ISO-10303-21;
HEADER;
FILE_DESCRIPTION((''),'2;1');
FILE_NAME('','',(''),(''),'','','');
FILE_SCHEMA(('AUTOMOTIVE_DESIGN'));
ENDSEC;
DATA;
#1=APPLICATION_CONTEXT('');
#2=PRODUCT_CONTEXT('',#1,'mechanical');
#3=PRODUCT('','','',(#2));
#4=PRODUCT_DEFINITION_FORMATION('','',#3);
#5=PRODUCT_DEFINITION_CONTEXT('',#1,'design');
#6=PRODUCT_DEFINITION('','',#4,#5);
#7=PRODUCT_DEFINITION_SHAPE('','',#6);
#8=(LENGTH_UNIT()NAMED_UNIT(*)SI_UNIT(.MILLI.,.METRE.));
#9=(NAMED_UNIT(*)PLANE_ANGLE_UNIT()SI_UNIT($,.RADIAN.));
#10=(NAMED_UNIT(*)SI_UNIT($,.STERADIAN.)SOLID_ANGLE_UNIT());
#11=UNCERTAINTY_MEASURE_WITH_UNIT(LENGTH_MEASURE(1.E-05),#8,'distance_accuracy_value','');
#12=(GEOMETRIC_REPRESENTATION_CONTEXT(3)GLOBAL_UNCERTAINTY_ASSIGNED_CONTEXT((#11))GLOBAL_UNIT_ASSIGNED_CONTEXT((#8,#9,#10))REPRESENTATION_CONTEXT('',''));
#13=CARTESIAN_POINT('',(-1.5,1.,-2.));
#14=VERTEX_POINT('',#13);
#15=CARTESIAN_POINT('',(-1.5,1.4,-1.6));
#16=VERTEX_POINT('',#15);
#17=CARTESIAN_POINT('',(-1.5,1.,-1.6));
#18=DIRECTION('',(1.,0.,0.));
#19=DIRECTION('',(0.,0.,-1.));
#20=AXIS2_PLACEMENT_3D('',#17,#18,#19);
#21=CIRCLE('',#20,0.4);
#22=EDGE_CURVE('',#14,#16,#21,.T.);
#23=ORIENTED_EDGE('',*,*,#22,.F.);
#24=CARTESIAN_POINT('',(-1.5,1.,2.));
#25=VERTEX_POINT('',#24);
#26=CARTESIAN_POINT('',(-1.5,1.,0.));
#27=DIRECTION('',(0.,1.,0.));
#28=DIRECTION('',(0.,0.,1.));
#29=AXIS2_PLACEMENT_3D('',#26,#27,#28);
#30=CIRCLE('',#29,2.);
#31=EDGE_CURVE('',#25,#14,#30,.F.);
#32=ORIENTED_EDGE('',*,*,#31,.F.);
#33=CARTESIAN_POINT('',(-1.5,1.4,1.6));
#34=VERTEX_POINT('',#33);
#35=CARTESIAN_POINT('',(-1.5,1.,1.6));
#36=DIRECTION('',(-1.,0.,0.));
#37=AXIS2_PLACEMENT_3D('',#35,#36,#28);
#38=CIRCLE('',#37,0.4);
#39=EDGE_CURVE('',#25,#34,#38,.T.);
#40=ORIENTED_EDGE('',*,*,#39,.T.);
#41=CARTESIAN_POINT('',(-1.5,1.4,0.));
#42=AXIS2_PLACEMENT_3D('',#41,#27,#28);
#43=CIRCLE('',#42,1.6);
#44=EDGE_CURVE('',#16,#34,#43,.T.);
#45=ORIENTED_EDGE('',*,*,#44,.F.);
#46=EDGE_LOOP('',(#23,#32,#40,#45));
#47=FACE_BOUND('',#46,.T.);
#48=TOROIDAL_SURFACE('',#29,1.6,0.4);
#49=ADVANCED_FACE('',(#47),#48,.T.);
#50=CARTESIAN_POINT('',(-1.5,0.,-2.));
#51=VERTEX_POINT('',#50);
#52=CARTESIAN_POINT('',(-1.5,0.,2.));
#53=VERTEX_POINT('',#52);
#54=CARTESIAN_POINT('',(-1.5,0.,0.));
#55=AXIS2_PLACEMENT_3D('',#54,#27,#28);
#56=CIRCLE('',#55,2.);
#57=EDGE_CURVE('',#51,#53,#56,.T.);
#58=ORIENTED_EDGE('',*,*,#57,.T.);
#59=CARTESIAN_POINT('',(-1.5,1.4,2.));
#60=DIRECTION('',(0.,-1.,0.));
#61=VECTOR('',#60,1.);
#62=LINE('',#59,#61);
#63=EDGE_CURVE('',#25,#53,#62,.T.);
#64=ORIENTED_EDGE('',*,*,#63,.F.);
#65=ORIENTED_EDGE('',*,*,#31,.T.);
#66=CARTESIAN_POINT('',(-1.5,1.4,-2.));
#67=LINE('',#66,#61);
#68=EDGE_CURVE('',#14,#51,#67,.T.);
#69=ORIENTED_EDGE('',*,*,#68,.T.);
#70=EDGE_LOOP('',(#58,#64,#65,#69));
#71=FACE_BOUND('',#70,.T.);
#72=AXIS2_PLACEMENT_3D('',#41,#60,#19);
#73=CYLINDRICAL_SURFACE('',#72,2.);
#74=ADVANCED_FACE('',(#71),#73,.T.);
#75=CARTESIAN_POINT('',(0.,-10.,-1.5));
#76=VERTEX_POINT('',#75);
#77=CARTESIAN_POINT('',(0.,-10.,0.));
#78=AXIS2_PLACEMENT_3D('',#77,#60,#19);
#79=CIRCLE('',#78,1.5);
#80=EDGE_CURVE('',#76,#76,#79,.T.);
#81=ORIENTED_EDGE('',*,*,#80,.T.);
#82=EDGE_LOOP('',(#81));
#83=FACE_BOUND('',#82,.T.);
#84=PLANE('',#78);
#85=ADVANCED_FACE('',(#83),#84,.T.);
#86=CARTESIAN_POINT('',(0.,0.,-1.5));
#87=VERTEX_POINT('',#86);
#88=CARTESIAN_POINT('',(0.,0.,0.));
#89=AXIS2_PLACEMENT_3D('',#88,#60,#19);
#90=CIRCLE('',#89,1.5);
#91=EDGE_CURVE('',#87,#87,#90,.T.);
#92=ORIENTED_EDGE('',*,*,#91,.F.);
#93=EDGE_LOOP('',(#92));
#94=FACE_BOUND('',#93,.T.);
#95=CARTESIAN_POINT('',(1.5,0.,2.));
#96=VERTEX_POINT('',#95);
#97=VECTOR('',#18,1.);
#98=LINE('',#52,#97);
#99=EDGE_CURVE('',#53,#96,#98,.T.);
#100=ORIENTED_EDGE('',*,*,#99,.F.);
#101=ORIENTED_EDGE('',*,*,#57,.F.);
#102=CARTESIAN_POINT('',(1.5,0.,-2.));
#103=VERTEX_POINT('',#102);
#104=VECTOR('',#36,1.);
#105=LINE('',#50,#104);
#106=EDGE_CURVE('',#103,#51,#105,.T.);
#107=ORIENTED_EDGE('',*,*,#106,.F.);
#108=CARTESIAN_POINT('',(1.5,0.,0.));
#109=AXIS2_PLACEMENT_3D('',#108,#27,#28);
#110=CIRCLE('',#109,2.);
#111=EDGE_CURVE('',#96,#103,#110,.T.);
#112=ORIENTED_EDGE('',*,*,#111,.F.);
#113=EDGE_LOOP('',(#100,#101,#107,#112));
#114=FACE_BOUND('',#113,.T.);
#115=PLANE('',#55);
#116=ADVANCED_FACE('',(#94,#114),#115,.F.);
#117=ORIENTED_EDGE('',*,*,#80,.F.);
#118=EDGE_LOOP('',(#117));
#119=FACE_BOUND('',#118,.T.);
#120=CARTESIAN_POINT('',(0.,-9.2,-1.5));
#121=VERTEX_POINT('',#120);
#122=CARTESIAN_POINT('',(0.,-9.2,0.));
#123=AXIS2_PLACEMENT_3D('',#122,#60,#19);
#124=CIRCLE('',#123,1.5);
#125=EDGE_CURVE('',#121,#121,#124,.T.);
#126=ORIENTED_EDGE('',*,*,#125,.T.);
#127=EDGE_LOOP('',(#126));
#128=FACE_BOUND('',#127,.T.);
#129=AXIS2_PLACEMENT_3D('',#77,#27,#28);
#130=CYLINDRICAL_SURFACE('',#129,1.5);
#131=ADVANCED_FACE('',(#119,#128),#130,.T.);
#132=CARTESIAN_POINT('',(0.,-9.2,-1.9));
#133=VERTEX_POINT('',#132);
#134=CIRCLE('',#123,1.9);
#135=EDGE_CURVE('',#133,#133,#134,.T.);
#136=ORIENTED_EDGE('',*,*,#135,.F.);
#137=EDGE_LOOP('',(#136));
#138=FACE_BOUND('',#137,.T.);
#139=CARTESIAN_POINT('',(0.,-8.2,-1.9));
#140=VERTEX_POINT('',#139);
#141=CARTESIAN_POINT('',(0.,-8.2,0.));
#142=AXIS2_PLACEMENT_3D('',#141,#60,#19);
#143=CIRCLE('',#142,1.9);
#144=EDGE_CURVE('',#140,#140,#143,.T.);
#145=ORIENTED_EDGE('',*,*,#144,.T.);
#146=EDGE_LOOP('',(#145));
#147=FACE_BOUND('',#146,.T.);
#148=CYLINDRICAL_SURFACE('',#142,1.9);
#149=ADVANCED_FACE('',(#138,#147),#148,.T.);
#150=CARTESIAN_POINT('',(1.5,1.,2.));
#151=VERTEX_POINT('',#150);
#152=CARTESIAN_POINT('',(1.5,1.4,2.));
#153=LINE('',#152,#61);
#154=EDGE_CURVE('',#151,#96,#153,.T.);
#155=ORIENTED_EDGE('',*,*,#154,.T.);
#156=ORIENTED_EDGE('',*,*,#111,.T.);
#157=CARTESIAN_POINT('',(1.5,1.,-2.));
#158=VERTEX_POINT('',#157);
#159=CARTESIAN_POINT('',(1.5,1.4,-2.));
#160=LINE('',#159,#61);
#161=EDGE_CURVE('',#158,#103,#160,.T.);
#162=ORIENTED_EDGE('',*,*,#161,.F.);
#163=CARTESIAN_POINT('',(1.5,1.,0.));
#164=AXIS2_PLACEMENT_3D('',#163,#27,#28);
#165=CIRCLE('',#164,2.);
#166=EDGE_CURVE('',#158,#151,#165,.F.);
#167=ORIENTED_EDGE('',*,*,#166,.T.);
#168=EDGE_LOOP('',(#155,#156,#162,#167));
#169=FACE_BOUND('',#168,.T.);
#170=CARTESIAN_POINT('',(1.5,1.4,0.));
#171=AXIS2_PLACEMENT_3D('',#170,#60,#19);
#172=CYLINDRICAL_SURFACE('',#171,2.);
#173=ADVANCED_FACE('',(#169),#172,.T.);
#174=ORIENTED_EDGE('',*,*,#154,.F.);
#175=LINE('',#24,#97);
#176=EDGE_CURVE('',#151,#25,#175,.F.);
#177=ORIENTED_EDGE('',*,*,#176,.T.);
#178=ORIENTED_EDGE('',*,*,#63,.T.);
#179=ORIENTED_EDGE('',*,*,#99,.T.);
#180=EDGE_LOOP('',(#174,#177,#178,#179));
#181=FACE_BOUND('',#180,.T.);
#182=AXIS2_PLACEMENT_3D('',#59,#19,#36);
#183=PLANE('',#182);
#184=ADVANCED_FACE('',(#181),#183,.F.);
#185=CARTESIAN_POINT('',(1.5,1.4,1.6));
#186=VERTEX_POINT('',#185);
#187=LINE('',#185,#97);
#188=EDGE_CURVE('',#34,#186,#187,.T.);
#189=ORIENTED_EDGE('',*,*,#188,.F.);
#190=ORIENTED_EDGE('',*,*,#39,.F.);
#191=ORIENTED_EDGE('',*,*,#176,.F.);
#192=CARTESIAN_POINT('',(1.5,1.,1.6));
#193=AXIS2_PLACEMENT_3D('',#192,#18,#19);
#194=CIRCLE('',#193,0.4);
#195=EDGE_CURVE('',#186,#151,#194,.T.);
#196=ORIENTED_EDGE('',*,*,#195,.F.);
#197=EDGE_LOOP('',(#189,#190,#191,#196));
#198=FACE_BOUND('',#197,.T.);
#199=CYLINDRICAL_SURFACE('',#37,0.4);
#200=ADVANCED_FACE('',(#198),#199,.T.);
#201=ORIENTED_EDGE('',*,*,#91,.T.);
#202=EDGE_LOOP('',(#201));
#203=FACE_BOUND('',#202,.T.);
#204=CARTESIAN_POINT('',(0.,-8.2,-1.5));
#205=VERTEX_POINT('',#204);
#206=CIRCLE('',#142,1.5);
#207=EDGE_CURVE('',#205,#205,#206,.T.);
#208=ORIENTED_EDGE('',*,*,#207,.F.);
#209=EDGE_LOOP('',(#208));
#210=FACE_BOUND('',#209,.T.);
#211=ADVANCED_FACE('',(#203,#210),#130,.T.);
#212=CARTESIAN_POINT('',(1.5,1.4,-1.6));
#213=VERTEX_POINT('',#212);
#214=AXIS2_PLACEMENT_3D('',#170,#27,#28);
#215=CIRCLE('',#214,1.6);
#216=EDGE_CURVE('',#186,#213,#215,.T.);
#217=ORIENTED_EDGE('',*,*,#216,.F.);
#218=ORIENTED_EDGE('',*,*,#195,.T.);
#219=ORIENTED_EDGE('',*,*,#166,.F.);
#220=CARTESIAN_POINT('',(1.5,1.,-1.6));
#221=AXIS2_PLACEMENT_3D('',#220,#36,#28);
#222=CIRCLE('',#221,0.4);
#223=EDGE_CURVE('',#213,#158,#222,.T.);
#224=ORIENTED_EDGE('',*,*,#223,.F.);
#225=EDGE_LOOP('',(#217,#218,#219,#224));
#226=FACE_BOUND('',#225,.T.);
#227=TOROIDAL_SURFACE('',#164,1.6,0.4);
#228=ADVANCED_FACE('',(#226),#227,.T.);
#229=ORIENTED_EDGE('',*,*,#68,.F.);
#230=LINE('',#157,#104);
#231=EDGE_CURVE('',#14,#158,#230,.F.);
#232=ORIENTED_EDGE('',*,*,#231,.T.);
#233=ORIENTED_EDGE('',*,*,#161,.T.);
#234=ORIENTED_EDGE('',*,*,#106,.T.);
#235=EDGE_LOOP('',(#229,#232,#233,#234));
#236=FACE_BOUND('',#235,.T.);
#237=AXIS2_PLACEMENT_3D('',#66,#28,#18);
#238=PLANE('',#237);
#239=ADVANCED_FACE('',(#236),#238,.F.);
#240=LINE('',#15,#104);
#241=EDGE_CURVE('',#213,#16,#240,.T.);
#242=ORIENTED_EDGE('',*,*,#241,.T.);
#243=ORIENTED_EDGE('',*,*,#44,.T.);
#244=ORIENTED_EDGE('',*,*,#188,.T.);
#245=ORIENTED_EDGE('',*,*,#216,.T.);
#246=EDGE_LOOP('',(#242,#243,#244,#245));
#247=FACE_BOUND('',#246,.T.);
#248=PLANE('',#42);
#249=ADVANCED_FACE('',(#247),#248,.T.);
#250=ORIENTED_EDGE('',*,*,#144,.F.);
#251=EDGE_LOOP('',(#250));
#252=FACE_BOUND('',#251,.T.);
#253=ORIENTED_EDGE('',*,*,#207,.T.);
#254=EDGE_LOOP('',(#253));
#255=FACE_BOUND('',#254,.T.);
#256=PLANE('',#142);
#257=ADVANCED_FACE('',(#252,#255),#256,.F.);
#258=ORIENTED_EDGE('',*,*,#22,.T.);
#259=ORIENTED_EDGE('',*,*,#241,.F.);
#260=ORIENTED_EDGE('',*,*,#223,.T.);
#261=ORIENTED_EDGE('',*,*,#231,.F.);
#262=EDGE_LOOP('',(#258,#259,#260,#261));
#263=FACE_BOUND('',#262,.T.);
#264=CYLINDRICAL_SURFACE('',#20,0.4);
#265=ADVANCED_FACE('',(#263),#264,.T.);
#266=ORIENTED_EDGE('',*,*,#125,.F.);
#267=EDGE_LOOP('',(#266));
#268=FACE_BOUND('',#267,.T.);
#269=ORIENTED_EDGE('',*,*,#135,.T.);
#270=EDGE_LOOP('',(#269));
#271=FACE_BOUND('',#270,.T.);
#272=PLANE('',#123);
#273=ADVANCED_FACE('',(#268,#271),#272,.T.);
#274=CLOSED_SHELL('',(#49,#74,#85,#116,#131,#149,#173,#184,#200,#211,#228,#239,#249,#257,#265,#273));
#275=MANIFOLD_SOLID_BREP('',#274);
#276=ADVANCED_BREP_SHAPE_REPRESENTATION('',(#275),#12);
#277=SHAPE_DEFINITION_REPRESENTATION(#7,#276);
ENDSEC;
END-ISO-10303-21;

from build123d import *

# Parameters (mm, degrees)
BOSS_EXTRUDE1_DEPTH = 1.4
SKETCH2_R           = 1.5
BOSS_EXTRUDE2_DEPTH = 10
SKETCH3_R           = 1.9
BOSS_EXTRUDE3_DEPTH = 1
FILLET1_R           = 0.4


with BuildPart() as part:
    # Sketch1 → Boss-Extrude1 (new body)
    with BuildSketch(Plane(origin=(0, 0, 0), x_dir=(1, 0, 0), z_dir=(0, 1, 0))):
        with BuildLine():
            Line((-1.5, 2), (1.5, 2))
            ThreePointArc((1.5, 2), (3.5, 0), (1.5, -2))
            Line((1.5, -2), (-1.5, -2))
            ThreePointArc((-1.5, -2), (-3.5, 0), (-1.5, 2))
        make_face()
    extrude(amount=BOSS_EXTRUDE1_DEPTH)

    # Sketch2 → Boss-Extrude2 (add)
    with BuildSketch(Plane(origin=(0, 0, 0), x_dir=(-1, 0, 0), z_dir=(0, -1, 0))):
        with Locations(Location((0, 0, 0), (0, 0, 90))):
            Circle(SKETCH2_R)
    extrude(amount=BOSS_EXTRUDE2_DEPTH)

    # Sketch3 → Boss-Extrude3 (add)
    with BuildSketch(Plane(origin=(0, -9.2, 0), x_dir=(-1, 0, 0), z_dir=(0, -1, 0))):
        with Locations(Location((0, 0, 0), (0, 0, 90))):
            Circle(SKETCH3_R)
    extrude(amount=-BOSS_EXTRUDE3_DEPTH)

    # Fillet1
    fillet1_edges = [part.edges().sort_by_distance(p)[0] for p in [
        (3.5, 1.4, 0),
        (0, 1.4, -2),
        (-3.5, 1.4, 0),
        (0, 1.4, 2),
    ]]
    fillet(fillet1_edges, radius=FILLET1_R)


solid = part.part
